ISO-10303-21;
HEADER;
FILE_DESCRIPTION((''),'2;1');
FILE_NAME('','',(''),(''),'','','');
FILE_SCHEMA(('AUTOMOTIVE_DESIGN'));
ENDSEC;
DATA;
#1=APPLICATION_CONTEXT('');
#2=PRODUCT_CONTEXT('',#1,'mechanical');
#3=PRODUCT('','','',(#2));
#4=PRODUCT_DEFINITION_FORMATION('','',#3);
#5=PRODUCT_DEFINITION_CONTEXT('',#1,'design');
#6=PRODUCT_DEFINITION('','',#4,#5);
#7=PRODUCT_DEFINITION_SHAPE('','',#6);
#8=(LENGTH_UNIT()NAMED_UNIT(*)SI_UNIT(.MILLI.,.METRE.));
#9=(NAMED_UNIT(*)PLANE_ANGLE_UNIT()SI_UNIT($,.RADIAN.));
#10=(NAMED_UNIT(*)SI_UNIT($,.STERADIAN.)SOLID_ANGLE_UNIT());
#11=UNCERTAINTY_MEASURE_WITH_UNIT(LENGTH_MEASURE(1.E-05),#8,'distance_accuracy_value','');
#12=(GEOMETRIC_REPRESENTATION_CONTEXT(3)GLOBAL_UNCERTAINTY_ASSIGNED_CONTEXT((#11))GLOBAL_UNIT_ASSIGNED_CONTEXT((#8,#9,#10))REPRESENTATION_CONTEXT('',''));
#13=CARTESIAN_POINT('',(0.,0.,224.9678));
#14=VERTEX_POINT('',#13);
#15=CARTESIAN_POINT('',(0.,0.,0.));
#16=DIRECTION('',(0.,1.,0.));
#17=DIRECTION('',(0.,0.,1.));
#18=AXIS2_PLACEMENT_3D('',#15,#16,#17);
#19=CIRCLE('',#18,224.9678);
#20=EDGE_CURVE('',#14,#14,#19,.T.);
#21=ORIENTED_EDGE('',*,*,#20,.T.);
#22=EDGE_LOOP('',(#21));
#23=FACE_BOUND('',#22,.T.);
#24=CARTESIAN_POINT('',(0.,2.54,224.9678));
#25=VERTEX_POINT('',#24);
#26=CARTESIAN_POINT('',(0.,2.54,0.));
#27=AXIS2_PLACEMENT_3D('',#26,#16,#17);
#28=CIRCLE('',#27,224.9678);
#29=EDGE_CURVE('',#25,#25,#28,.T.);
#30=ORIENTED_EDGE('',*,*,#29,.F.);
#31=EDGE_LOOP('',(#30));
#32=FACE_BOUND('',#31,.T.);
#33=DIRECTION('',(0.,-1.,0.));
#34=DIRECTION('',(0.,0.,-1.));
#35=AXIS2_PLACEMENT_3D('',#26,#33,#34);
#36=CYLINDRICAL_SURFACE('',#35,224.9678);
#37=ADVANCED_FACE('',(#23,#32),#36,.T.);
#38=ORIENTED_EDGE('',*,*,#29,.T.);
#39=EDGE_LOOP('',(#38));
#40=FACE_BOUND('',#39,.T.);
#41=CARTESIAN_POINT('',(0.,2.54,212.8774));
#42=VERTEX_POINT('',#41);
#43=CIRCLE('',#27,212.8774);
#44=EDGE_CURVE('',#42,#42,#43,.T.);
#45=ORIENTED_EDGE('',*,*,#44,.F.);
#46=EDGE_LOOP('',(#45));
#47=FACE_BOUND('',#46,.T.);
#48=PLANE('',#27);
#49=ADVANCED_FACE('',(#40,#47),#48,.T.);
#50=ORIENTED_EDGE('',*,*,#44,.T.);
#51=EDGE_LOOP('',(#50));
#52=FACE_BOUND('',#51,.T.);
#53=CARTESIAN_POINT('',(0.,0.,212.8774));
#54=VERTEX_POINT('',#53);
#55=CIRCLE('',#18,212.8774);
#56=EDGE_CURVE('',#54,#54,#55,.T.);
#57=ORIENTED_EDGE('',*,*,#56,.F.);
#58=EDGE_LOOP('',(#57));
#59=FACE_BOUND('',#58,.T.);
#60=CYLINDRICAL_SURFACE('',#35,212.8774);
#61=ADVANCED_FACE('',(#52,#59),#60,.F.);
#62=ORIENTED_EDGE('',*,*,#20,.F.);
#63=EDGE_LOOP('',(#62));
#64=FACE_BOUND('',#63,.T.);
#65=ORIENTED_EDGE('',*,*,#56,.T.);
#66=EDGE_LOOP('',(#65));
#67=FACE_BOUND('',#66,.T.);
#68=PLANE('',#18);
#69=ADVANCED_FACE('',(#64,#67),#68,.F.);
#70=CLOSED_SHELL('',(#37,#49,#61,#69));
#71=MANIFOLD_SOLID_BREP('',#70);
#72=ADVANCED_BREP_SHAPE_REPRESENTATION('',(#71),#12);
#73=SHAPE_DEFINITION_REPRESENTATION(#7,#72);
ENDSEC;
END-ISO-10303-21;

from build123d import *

# Parameters (mm, degrees)
SKETCH1_R           = 224.9678
SKETCH1_R_2         = 212.8774
BOSS_EXTRUDE1_DEPTH = 2.54


with BuildPart() as part:
    # Sketch1 → Boss-Extrude1 (new body)
    with BuildSketch(Plane(origin=(0, 0, 0), x_dir=(1, 0, 0), z_dir=(0, 1, 0))):
        with Locations(Location((0, 0, 0), (0, 0, 270))):
            Circle(SKETCH1_R)
        with Locations(Location((0, 0, 0), (0, 0, 270))):
            Circle(SKETCH1_R_2, mode=Mode.SUBTRACT)
    extrude(amount=BOSS_EXTRUDE1_DEPTH)


solid = part.part
